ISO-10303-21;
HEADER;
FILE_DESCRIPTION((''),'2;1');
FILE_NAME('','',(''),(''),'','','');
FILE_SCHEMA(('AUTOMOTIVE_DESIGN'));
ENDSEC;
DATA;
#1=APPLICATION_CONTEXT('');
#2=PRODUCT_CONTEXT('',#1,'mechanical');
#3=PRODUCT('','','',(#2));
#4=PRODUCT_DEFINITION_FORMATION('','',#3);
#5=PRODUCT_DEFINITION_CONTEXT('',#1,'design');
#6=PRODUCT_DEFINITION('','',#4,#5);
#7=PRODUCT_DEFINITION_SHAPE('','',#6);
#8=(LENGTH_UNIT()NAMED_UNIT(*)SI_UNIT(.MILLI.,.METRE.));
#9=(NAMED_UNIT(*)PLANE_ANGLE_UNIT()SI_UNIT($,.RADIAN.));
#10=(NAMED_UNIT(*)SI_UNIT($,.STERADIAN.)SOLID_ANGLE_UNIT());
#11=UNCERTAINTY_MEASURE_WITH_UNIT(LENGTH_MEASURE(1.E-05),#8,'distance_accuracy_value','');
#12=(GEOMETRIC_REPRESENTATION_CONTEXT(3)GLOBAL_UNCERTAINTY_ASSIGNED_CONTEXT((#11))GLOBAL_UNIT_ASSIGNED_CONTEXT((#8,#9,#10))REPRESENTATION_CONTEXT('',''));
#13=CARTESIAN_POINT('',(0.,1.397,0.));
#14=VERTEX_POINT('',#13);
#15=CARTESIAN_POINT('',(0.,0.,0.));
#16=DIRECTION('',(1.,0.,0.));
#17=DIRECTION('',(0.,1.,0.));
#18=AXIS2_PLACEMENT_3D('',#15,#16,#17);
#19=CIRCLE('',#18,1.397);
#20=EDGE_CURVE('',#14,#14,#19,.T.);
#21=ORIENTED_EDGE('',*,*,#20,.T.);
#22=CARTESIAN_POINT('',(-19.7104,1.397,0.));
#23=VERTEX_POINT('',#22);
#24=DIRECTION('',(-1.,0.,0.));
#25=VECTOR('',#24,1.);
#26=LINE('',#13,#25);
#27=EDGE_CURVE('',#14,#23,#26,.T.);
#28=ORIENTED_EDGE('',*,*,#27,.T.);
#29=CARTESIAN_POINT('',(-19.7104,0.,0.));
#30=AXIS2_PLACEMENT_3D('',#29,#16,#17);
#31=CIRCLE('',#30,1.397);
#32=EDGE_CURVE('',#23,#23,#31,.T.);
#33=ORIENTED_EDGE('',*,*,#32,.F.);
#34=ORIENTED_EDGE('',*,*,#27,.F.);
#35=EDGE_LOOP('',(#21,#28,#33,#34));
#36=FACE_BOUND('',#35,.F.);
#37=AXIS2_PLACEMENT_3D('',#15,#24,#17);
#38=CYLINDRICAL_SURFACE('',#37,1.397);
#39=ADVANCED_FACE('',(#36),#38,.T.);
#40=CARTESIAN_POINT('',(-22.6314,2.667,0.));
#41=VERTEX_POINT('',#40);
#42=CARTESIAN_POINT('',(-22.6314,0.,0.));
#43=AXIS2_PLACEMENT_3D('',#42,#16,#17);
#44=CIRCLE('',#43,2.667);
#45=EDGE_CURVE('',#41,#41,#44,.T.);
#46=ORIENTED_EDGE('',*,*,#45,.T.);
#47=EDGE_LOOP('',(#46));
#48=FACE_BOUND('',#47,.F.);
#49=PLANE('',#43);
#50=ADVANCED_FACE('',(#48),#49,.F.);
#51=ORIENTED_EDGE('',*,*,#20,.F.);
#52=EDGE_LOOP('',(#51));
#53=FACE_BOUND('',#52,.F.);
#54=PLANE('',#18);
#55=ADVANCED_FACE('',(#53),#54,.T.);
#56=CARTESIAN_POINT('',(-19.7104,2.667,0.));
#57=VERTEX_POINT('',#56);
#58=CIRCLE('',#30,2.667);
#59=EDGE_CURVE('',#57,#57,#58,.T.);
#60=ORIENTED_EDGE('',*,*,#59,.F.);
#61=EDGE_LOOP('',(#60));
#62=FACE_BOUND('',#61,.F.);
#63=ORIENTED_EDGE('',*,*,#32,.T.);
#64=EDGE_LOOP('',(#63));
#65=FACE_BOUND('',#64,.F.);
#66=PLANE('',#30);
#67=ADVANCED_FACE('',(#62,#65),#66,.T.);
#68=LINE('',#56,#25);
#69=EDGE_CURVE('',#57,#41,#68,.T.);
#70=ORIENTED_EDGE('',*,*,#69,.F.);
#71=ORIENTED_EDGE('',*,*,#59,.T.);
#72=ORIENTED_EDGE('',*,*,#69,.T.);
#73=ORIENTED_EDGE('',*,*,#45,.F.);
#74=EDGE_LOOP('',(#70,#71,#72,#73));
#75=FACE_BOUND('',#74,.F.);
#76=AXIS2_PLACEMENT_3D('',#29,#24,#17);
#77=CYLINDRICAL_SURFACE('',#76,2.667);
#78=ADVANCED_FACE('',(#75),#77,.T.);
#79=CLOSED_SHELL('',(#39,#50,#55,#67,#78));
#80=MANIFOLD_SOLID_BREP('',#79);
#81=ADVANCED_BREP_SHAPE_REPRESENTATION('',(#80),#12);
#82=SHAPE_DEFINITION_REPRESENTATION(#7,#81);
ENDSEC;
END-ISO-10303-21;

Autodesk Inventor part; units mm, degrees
ref_plane "YZ Plane" through (0, 0, 0) normal (1, 0, 0) x (0, 1, 0)
ref_plane "XZ Plane" through (0, 0, 0) normal (0, 1, 0) x (-1, 0, 0)
ref_plane "XY Plane" through (0, 0, 0) normal (0, 0, 1) x (1, 0, 0)
sketch "Sketch1" plane through (0, 0, 0) normal (0, 0, 1) x (1, 0, 0)
  line L0 (0, 0) -> (0, 1.397)
  line L1 (0, 1.397) -> (-19.7104, 1.397)
  line L2 (-19.7104, 1.397) -> (-19.7104, 2.667)
  line L3 (-19.7104, 2.667) -> (-22.6314, 2.667)
  line L4 (-22.6314, 2.667) -> (-22.6314, 0)
  line L5 (-22.6314, 0) -> (0, 0)
  point P0 (-19.7104, 2.032)
  dimension "d0" = 5.334
  dimension "d1" = 2.794
  dimension "d2" = 2.921
  dimension "d3" = 19.7104
revolve "Revolution1" add sketch "Sketch1" angle 360 about axis through (-22.6314, 0, 0) along (1, 0, 0)
properties part number "Screw PROP"
